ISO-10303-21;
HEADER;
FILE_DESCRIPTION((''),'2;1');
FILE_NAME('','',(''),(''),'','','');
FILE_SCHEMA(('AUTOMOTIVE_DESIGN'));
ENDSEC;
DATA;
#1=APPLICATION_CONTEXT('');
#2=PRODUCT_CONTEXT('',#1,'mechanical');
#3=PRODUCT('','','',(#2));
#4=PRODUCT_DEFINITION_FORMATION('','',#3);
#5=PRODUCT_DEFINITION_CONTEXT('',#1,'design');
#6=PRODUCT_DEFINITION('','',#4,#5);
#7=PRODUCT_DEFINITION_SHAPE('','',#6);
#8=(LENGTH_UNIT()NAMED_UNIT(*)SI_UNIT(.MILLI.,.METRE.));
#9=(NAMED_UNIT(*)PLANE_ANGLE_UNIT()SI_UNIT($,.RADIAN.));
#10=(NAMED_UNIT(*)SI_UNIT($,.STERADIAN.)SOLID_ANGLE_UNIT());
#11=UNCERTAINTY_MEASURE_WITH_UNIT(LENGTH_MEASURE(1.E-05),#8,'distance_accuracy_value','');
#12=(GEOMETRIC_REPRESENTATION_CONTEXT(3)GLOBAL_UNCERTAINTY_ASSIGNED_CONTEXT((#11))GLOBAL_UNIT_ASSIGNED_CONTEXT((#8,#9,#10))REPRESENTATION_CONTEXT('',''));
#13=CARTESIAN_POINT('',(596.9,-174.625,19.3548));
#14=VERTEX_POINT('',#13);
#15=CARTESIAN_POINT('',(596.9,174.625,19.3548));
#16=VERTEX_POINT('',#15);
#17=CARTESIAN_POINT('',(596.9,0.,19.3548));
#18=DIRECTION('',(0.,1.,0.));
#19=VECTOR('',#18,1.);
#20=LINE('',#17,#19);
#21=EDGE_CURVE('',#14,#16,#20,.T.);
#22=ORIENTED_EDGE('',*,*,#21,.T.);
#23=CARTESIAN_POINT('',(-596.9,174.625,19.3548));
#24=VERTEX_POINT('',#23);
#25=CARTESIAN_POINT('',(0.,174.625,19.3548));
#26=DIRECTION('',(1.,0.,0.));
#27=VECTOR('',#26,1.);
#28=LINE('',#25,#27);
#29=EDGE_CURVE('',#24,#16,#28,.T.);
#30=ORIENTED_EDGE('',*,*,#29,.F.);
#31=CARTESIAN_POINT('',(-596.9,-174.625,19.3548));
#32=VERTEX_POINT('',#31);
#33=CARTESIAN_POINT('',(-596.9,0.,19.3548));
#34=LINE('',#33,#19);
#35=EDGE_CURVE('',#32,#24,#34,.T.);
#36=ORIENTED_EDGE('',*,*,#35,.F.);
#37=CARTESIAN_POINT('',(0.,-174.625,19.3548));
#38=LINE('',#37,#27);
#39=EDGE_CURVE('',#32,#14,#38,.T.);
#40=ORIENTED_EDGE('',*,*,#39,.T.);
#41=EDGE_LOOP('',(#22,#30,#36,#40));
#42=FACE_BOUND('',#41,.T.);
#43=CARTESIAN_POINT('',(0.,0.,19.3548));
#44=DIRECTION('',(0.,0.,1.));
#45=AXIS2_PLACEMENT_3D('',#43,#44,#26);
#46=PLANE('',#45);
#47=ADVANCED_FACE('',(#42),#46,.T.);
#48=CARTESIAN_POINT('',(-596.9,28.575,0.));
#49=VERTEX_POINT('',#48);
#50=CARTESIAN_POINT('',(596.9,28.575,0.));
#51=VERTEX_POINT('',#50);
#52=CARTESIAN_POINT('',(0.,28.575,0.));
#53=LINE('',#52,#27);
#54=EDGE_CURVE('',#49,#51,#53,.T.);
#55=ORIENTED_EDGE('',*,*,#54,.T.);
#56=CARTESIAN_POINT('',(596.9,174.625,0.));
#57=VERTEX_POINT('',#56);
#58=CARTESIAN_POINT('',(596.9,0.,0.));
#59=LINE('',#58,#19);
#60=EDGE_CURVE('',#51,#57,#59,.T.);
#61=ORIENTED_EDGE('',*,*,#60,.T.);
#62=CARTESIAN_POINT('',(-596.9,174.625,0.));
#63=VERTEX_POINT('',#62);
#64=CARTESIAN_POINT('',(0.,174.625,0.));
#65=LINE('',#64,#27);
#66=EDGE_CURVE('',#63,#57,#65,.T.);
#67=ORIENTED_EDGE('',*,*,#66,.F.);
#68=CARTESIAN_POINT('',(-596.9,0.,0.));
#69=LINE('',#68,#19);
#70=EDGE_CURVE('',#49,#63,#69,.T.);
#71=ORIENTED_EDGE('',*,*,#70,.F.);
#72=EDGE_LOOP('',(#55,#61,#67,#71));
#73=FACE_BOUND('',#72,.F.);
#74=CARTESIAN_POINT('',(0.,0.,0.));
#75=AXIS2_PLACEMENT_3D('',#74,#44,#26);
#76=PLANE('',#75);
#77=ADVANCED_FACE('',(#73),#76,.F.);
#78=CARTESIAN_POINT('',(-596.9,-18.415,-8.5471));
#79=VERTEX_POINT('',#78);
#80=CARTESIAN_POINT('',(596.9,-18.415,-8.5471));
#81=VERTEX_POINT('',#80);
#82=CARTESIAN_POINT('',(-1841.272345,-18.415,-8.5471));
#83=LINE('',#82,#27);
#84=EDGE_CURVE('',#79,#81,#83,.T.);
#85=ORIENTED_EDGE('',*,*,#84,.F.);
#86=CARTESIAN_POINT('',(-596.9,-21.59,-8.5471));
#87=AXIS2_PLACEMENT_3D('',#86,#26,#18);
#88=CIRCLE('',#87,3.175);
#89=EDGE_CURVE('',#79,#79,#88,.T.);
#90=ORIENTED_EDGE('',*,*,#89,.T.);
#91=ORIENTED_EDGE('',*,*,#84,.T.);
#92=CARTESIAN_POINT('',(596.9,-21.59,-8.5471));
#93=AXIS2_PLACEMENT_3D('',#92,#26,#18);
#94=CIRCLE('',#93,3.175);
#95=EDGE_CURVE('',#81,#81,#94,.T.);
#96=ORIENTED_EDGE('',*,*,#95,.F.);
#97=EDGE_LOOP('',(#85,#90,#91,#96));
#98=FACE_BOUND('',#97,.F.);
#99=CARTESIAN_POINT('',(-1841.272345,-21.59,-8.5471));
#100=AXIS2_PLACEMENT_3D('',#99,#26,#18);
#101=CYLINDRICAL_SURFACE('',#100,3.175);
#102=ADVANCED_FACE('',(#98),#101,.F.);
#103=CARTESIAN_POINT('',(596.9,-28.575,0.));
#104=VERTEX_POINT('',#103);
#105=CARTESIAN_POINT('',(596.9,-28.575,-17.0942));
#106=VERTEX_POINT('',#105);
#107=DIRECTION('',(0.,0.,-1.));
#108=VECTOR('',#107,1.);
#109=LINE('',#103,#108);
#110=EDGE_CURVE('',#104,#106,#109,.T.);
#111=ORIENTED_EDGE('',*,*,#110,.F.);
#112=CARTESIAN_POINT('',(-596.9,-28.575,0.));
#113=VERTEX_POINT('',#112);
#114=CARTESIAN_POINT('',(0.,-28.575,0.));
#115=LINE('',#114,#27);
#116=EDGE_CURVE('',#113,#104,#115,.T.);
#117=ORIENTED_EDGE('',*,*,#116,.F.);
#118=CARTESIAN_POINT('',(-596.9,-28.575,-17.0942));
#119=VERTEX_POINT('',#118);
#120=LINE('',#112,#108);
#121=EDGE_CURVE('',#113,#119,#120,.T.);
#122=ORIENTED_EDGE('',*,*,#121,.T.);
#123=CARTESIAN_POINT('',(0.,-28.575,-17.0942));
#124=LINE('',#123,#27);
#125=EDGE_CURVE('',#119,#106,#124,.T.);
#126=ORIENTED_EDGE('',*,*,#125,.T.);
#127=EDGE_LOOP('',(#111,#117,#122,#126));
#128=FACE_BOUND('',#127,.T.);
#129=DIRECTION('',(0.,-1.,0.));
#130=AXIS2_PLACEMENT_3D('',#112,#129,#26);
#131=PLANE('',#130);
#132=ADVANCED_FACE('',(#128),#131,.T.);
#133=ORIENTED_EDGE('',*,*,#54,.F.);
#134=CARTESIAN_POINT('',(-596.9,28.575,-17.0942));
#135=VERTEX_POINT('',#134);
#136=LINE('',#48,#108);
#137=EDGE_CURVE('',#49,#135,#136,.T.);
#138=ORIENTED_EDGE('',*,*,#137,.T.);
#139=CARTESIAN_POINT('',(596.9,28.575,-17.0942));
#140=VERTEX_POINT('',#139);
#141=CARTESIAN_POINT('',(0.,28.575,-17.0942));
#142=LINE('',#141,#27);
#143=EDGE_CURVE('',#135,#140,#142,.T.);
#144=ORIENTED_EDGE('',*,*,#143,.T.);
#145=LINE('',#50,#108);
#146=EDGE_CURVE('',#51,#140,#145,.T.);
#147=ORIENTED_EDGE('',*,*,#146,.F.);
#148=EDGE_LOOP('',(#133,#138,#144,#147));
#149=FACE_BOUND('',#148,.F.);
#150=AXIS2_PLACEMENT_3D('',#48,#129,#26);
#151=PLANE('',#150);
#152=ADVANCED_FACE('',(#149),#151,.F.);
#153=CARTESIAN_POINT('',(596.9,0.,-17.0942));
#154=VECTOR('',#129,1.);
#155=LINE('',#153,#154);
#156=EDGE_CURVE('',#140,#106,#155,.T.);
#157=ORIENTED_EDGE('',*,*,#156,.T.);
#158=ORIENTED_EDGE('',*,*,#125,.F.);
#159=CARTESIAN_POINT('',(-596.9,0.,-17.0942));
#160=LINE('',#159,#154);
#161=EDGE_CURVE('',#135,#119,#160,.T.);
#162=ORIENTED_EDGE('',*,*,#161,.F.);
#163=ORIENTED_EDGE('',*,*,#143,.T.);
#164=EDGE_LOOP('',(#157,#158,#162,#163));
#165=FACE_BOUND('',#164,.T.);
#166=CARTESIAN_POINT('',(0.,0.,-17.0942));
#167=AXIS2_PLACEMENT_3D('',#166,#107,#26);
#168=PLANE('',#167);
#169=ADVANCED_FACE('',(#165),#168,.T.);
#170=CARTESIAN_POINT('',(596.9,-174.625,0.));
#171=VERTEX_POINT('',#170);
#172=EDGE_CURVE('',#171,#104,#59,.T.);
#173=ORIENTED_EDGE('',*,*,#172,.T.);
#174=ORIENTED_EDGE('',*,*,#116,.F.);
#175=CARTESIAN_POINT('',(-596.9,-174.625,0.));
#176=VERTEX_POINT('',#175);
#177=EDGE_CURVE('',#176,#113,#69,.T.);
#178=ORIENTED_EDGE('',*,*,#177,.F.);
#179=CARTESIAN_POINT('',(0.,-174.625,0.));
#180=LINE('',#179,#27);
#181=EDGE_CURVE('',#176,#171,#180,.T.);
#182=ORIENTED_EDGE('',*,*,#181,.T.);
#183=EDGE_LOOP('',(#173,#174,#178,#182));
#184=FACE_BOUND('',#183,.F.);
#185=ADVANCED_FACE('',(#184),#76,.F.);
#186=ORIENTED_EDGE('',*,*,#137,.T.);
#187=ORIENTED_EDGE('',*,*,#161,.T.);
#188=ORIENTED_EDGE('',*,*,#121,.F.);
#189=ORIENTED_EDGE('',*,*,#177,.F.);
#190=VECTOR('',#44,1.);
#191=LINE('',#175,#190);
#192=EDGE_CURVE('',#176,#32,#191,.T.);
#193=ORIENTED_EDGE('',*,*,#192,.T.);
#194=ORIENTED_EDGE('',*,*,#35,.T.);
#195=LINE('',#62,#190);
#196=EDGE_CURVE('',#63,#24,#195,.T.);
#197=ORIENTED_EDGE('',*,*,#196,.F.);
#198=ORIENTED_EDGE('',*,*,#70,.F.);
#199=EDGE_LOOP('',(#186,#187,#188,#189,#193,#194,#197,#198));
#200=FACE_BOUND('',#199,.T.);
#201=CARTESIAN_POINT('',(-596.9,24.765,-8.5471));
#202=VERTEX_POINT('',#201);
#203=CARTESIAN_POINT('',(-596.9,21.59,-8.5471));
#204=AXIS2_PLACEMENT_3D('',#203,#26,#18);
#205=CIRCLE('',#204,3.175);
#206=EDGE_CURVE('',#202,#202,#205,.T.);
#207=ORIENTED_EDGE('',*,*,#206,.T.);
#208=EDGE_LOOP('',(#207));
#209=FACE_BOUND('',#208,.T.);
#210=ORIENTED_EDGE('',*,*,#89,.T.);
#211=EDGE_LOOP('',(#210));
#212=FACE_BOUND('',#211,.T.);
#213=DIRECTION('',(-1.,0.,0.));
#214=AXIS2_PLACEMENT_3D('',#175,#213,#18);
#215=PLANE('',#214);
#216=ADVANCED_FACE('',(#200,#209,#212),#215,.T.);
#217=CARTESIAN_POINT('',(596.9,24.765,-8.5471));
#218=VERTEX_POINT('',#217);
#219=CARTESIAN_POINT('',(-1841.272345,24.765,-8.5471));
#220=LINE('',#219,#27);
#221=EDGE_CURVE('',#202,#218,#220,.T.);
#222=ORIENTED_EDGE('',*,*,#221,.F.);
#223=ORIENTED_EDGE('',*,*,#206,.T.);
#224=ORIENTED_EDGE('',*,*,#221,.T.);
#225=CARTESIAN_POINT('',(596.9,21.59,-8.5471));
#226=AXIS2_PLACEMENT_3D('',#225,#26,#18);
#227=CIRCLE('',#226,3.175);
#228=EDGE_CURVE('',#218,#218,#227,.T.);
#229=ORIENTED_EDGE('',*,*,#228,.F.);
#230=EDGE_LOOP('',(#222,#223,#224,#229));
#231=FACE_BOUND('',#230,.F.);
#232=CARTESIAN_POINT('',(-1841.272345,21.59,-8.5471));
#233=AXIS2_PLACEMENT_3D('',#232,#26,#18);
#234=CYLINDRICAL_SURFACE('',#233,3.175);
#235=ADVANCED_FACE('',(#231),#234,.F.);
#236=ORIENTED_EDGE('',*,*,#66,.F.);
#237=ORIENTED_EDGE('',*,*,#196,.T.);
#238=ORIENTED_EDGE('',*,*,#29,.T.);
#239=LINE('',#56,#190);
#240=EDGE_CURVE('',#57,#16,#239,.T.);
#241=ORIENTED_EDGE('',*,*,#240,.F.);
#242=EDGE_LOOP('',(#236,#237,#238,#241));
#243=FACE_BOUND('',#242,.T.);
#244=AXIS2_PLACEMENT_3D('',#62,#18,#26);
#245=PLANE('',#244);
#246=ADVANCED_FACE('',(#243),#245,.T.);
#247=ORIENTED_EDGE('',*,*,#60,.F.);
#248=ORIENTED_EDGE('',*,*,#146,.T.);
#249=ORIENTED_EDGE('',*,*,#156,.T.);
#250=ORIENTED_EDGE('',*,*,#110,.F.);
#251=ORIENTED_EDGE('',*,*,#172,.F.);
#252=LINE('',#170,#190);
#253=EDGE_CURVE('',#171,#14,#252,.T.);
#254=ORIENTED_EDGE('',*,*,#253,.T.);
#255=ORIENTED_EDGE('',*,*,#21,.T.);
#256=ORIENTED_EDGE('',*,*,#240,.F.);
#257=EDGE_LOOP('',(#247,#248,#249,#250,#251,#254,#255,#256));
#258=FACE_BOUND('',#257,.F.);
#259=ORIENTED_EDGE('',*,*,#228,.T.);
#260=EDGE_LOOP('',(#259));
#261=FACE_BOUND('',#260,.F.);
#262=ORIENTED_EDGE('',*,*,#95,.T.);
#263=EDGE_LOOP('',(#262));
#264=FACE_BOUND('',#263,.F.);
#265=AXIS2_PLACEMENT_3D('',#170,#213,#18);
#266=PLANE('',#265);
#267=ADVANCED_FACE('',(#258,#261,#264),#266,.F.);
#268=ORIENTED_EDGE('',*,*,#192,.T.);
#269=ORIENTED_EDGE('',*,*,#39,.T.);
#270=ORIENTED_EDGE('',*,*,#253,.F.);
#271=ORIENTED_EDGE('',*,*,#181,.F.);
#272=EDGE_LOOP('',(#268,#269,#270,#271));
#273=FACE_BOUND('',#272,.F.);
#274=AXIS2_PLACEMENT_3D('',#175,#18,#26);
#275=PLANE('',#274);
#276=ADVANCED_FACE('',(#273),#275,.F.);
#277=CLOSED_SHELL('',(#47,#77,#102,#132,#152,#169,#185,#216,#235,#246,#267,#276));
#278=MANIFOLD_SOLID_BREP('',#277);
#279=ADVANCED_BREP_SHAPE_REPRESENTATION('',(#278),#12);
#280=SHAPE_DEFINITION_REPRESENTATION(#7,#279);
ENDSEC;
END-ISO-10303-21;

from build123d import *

# Parameters (mm, degrees)
F0_W     = 1193.8
F0_H     = 349.25
F1_DEPTH = 19.3548
F2_W     = 1193.8
F2_H     = 57.15
F3_DEPTH = 17.0942
F5_D     = 6.35


with BuildPart() as f1:
    # F0 (on Top) → F1 (new body)
    with BuildSketch(Plane.XY):
        Rectangle(F0_W, F0_H)
    extrude(amount=F1_DEPTH)

    # F2 (on face) → F3 (join)
    with BuildSketch(Plane(origin=(0, 0, 0), x_dir=(1, 0, 0), z_dir=(0, 0, -1))):
        Rectangle(F2_W, F2_H)
    extrude(amount=F3_DEPTH)

    # F5 (through all)
    with Locations(Plane(origin=(-596.9, 0, 0), x_dir=(0, -1, 0), z_dir=(-1, 0, 0))):
        with Locations((-21.59, -8.5471), (21.59, -8.5471)):
            Hole(F5_D / 2)


solid = f1.part
